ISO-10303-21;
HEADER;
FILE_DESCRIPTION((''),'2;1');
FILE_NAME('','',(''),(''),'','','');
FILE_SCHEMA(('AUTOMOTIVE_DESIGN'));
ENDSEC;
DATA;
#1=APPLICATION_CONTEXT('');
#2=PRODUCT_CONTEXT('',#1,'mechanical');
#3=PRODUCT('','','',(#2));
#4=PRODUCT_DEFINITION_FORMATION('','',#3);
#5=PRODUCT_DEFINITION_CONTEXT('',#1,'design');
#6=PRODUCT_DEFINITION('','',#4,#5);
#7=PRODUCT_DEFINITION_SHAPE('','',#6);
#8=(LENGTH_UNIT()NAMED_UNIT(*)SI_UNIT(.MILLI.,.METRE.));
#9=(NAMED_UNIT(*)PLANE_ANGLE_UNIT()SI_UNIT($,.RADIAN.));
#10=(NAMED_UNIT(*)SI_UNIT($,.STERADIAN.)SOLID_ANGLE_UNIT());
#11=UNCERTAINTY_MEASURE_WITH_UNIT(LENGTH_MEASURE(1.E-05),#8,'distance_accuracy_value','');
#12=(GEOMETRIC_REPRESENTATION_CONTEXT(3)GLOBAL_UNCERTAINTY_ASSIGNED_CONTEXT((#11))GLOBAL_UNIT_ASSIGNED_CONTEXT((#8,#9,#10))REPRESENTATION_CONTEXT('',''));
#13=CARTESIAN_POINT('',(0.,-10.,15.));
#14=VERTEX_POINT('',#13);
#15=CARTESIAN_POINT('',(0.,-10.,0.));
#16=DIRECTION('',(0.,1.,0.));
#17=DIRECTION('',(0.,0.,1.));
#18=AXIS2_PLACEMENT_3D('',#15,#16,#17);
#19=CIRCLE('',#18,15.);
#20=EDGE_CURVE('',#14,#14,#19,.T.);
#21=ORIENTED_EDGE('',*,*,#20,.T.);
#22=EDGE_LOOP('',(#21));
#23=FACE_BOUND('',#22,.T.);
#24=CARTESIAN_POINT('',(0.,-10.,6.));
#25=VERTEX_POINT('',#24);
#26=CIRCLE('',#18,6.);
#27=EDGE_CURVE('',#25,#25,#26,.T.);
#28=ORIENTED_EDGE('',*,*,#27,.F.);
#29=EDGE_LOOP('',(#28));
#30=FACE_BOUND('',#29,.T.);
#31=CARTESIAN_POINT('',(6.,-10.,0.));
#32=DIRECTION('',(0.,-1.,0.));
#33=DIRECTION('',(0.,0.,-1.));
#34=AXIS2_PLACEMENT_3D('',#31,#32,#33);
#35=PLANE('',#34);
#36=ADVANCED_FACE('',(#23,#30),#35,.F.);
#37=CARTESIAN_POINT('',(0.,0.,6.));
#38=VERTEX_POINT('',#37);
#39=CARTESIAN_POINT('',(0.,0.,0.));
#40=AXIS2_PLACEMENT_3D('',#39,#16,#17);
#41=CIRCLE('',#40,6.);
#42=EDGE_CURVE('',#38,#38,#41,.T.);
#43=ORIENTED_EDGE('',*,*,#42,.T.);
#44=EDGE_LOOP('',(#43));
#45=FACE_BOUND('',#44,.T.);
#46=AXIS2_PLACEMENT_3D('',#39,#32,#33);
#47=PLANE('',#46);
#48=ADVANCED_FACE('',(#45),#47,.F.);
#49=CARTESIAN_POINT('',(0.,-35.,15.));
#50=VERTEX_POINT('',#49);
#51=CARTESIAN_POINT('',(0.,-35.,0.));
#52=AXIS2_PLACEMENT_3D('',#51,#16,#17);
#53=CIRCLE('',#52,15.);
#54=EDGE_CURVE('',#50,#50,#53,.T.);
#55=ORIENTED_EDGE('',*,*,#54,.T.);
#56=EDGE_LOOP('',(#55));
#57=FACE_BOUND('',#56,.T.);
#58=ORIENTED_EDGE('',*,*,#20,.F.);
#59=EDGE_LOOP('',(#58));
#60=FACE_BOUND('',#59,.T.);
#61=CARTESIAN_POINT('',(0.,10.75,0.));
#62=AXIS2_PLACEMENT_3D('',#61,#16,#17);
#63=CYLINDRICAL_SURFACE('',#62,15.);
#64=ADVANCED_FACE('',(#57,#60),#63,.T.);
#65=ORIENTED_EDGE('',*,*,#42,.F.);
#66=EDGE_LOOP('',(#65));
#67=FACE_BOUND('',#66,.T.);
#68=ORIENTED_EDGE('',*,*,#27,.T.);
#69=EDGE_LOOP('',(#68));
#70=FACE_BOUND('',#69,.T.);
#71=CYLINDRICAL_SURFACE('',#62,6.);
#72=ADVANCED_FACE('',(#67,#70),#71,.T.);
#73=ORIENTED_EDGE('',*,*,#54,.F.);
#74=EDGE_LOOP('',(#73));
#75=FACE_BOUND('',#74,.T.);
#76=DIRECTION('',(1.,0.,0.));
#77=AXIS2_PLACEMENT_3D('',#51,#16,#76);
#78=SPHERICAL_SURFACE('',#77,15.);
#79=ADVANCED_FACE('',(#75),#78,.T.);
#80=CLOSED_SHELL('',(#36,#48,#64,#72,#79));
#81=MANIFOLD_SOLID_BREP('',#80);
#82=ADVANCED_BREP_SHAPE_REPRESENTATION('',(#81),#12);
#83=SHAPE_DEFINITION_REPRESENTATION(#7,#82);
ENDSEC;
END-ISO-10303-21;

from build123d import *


with BuildPart() as part:
    # Sketch1 → Revolve1 (revolve)
    with BuildSketch(Plane.XY, mode=Mode.PRIVATE) as revolve1_sk:
        with BuildLine():
            Line((0, 0), (6, 0))
            Line((6, 0), (6, -10))
            Line((6, -10), (15, -10))
            Line((15, -10), (15, -35))
            ThreePointArc((15, -35), (10.606601718, -45.606601718), (0, -50))
            Line((0, -50), (0, 0))
        make_face()
    revolve(revolve1_sk.sketch.rotate(Axis((0, 10.75, 0), (0, -1, 0)), 90), axis=Axis((0, 10.75, 0), (0, -1, 0)))  # turned: the seam where the file's is


solid = part.part
